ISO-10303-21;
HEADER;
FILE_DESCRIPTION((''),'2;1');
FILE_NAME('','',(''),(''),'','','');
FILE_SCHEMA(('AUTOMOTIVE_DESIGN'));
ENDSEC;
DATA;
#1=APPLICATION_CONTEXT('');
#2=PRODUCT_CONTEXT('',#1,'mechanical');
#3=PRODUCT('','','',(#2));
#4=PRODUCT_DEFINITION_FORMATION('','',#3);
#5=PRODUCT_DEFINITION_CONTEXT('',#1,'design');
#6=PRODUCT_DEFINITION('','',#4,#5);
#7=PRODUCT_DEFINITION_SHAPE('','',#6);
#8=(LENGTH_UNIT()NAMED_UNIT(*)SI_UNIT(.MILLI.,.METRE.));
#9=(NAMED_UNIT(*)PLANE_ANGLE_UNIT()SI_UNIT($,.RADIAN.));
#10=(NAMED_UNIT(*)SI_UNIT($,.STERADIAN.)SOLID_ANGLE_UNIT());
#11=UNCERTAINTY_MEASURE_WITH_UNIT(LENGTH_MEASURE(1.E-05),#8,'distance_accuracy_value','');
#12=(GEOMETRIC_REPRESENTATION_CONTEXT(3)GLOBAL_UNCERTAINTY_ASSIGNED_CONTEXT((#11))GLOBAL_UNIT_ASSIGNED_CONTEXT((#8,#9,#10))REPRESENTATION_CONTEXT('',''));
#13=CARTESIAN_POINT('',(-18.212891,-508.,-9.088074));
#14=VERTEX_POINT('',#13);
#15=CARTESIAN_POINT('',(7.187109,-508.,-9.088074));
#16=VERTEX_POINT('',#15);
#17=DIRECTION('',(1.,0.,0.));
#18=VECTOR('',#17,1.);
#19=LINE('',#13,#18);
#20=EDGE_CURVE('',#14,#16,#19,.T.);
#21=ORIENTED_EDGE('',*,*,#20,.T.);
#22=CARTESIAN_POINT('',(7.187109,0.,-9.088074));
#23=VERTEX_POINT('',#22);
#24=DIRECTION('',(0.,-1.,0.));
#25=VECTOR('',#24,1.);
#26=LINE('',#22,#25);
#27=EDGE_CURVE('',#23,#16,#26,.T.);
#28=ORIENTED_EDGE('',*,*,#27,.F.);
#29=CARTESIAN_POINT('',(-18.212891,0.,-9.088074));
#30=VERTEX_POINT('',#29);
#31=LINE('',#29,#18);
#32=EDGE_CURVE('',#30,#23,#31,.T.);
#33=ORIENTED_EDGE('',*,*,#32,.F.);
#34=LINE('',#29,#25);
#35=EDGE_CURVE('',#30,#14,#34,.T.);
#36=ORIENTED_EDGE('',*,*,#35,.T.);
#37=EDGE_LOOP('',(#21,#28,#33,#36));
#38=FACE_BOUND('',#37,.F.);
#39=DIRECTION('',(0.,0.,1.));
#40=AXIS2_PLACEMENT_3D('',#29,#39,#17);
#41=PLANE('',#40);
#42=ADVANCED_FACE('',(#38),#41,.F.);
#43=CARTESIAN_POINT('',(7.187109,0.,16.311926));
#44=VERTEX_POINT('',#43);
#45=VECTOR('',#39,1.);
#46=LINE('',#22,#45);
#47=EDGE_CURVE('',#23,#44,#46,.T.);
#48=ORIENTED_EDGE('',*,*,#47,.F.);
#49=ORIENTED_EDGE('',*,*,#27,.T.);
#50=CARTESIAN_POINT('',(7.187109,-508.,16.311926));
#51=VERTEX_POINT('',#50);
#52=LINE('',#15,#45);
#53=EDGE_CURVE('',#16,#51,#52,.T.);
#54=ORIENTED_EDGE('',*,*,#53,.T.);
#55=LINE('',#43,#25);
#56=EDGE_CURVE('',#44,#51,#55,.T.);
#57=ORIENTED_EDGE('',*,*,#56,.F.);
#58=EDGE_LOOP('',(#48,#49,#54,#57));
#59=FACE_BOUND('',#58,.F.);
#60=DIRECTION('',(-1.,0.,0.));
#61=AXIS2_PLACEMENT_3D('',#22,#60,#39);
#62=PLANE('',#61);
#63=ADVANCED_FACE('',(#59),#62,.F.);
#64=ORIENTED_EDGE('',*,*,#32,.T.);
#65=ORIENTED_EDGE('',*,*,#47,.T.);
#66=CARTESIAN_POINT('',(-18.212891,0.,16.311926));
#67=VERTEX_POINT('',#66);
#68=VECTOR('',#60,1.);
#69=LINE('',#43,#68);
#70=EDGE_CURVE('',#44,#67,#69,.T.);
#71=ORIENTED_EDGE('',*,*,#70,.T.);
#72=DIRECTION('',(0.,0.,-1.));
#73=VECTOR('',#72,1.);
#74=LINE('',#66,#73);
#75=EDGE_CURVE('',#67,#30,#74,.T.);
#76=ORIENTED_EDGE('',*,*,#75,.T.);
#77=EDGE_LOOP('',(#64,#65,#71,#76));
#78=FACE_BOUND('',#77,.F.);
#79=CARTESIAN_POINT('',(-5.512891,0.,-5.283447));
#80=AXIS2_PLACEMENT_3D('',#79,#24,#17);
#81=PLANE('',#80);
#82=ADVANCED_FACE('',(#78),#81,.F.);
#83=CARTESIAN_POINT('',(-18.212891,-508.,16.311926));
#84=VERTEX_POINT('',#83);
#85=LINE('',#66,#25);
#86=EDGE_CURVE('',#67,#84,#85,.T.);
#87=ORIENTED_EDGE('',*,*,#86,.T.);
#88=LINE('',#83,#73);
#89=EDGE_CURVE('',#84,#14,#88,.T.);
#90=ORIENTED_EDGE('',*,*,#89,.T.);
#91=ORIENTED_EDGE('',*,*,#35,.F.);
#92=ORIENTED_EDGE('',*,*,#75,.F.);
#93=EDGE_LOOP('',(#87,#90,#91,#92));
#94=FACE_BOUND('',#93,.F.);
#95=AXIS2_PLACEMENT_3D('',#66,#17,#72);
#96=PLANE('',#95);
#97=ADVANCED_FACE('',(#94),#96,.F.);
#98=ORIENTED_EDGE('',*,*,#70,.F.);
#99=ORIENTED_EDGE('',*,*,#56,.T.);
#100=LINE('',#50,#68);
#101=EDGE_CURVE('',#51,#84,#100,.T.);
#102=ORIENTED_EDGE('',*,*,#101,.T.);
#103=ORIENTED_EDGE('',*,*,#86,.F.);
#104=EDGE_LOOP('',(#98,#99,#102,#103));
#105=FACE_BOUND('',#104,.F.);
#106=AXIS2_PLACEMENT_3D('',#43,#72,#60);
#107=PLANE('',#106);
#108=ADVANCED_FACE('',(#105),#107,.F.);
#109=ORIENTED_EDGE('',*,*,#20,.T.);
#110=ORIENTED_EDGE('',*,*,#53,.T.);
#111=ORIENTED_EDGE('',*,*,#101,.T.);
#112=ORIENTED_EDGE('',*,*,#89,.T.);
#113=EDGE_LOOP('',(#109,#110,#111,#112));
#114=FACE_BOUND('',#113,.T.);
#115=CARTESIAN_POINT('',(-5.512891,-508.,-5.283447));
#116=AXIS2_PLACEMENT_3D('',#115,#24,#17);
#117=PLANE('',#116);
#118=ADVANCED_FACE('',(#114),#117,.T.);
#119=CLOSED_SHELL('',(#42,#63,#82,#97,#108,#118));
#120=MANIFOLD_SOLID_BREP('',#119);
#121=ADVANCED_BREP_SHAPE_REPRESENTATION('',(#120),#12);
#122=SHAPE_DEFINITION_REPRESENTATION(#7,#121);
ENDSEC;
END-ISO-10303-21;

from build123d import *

# Parameters (mm, degrees)
F0_W     = 11.0257812783
F0_H     = 5.4881653445
F1_DEPTH = 508


with BuildPart() as f1:
    # F0 (on Front) → F1 (new body)
    with BuildSketch(Plane.XZ):
        Polygon((-18.2128906391, -9.0880743527), (7.1871093609, -9.0880743527), (0, 0.8678429751), (-11.0257812783, 0.8678429751), align=None)
        Polygon((0, 6.3560083196), (7.1871093609, 16.3119256473), (-18.2128906391, 16.3119256473), (-11.0257812783, 6.3560083196), align=None)
        Polygon((0, 0.8678429751), (7.1871093609, -9.0880743527), (7.1871093609, 16.3119256473), (0, 6.3560083196), align=None)
        Polygon((-18.2128906391, 16.3119256473), (-18.2128906391, -9.0880743527), (-11.0257812783, 0.8678429751), (-11.0257812783, 6.3560083196), align=None)
        with Locations((-5.5128906391, 3.6119256473)):
            Rectangle(F0_W, F0_H)
    extrude(amount=F1_DEPTH)


solid = f1.part
